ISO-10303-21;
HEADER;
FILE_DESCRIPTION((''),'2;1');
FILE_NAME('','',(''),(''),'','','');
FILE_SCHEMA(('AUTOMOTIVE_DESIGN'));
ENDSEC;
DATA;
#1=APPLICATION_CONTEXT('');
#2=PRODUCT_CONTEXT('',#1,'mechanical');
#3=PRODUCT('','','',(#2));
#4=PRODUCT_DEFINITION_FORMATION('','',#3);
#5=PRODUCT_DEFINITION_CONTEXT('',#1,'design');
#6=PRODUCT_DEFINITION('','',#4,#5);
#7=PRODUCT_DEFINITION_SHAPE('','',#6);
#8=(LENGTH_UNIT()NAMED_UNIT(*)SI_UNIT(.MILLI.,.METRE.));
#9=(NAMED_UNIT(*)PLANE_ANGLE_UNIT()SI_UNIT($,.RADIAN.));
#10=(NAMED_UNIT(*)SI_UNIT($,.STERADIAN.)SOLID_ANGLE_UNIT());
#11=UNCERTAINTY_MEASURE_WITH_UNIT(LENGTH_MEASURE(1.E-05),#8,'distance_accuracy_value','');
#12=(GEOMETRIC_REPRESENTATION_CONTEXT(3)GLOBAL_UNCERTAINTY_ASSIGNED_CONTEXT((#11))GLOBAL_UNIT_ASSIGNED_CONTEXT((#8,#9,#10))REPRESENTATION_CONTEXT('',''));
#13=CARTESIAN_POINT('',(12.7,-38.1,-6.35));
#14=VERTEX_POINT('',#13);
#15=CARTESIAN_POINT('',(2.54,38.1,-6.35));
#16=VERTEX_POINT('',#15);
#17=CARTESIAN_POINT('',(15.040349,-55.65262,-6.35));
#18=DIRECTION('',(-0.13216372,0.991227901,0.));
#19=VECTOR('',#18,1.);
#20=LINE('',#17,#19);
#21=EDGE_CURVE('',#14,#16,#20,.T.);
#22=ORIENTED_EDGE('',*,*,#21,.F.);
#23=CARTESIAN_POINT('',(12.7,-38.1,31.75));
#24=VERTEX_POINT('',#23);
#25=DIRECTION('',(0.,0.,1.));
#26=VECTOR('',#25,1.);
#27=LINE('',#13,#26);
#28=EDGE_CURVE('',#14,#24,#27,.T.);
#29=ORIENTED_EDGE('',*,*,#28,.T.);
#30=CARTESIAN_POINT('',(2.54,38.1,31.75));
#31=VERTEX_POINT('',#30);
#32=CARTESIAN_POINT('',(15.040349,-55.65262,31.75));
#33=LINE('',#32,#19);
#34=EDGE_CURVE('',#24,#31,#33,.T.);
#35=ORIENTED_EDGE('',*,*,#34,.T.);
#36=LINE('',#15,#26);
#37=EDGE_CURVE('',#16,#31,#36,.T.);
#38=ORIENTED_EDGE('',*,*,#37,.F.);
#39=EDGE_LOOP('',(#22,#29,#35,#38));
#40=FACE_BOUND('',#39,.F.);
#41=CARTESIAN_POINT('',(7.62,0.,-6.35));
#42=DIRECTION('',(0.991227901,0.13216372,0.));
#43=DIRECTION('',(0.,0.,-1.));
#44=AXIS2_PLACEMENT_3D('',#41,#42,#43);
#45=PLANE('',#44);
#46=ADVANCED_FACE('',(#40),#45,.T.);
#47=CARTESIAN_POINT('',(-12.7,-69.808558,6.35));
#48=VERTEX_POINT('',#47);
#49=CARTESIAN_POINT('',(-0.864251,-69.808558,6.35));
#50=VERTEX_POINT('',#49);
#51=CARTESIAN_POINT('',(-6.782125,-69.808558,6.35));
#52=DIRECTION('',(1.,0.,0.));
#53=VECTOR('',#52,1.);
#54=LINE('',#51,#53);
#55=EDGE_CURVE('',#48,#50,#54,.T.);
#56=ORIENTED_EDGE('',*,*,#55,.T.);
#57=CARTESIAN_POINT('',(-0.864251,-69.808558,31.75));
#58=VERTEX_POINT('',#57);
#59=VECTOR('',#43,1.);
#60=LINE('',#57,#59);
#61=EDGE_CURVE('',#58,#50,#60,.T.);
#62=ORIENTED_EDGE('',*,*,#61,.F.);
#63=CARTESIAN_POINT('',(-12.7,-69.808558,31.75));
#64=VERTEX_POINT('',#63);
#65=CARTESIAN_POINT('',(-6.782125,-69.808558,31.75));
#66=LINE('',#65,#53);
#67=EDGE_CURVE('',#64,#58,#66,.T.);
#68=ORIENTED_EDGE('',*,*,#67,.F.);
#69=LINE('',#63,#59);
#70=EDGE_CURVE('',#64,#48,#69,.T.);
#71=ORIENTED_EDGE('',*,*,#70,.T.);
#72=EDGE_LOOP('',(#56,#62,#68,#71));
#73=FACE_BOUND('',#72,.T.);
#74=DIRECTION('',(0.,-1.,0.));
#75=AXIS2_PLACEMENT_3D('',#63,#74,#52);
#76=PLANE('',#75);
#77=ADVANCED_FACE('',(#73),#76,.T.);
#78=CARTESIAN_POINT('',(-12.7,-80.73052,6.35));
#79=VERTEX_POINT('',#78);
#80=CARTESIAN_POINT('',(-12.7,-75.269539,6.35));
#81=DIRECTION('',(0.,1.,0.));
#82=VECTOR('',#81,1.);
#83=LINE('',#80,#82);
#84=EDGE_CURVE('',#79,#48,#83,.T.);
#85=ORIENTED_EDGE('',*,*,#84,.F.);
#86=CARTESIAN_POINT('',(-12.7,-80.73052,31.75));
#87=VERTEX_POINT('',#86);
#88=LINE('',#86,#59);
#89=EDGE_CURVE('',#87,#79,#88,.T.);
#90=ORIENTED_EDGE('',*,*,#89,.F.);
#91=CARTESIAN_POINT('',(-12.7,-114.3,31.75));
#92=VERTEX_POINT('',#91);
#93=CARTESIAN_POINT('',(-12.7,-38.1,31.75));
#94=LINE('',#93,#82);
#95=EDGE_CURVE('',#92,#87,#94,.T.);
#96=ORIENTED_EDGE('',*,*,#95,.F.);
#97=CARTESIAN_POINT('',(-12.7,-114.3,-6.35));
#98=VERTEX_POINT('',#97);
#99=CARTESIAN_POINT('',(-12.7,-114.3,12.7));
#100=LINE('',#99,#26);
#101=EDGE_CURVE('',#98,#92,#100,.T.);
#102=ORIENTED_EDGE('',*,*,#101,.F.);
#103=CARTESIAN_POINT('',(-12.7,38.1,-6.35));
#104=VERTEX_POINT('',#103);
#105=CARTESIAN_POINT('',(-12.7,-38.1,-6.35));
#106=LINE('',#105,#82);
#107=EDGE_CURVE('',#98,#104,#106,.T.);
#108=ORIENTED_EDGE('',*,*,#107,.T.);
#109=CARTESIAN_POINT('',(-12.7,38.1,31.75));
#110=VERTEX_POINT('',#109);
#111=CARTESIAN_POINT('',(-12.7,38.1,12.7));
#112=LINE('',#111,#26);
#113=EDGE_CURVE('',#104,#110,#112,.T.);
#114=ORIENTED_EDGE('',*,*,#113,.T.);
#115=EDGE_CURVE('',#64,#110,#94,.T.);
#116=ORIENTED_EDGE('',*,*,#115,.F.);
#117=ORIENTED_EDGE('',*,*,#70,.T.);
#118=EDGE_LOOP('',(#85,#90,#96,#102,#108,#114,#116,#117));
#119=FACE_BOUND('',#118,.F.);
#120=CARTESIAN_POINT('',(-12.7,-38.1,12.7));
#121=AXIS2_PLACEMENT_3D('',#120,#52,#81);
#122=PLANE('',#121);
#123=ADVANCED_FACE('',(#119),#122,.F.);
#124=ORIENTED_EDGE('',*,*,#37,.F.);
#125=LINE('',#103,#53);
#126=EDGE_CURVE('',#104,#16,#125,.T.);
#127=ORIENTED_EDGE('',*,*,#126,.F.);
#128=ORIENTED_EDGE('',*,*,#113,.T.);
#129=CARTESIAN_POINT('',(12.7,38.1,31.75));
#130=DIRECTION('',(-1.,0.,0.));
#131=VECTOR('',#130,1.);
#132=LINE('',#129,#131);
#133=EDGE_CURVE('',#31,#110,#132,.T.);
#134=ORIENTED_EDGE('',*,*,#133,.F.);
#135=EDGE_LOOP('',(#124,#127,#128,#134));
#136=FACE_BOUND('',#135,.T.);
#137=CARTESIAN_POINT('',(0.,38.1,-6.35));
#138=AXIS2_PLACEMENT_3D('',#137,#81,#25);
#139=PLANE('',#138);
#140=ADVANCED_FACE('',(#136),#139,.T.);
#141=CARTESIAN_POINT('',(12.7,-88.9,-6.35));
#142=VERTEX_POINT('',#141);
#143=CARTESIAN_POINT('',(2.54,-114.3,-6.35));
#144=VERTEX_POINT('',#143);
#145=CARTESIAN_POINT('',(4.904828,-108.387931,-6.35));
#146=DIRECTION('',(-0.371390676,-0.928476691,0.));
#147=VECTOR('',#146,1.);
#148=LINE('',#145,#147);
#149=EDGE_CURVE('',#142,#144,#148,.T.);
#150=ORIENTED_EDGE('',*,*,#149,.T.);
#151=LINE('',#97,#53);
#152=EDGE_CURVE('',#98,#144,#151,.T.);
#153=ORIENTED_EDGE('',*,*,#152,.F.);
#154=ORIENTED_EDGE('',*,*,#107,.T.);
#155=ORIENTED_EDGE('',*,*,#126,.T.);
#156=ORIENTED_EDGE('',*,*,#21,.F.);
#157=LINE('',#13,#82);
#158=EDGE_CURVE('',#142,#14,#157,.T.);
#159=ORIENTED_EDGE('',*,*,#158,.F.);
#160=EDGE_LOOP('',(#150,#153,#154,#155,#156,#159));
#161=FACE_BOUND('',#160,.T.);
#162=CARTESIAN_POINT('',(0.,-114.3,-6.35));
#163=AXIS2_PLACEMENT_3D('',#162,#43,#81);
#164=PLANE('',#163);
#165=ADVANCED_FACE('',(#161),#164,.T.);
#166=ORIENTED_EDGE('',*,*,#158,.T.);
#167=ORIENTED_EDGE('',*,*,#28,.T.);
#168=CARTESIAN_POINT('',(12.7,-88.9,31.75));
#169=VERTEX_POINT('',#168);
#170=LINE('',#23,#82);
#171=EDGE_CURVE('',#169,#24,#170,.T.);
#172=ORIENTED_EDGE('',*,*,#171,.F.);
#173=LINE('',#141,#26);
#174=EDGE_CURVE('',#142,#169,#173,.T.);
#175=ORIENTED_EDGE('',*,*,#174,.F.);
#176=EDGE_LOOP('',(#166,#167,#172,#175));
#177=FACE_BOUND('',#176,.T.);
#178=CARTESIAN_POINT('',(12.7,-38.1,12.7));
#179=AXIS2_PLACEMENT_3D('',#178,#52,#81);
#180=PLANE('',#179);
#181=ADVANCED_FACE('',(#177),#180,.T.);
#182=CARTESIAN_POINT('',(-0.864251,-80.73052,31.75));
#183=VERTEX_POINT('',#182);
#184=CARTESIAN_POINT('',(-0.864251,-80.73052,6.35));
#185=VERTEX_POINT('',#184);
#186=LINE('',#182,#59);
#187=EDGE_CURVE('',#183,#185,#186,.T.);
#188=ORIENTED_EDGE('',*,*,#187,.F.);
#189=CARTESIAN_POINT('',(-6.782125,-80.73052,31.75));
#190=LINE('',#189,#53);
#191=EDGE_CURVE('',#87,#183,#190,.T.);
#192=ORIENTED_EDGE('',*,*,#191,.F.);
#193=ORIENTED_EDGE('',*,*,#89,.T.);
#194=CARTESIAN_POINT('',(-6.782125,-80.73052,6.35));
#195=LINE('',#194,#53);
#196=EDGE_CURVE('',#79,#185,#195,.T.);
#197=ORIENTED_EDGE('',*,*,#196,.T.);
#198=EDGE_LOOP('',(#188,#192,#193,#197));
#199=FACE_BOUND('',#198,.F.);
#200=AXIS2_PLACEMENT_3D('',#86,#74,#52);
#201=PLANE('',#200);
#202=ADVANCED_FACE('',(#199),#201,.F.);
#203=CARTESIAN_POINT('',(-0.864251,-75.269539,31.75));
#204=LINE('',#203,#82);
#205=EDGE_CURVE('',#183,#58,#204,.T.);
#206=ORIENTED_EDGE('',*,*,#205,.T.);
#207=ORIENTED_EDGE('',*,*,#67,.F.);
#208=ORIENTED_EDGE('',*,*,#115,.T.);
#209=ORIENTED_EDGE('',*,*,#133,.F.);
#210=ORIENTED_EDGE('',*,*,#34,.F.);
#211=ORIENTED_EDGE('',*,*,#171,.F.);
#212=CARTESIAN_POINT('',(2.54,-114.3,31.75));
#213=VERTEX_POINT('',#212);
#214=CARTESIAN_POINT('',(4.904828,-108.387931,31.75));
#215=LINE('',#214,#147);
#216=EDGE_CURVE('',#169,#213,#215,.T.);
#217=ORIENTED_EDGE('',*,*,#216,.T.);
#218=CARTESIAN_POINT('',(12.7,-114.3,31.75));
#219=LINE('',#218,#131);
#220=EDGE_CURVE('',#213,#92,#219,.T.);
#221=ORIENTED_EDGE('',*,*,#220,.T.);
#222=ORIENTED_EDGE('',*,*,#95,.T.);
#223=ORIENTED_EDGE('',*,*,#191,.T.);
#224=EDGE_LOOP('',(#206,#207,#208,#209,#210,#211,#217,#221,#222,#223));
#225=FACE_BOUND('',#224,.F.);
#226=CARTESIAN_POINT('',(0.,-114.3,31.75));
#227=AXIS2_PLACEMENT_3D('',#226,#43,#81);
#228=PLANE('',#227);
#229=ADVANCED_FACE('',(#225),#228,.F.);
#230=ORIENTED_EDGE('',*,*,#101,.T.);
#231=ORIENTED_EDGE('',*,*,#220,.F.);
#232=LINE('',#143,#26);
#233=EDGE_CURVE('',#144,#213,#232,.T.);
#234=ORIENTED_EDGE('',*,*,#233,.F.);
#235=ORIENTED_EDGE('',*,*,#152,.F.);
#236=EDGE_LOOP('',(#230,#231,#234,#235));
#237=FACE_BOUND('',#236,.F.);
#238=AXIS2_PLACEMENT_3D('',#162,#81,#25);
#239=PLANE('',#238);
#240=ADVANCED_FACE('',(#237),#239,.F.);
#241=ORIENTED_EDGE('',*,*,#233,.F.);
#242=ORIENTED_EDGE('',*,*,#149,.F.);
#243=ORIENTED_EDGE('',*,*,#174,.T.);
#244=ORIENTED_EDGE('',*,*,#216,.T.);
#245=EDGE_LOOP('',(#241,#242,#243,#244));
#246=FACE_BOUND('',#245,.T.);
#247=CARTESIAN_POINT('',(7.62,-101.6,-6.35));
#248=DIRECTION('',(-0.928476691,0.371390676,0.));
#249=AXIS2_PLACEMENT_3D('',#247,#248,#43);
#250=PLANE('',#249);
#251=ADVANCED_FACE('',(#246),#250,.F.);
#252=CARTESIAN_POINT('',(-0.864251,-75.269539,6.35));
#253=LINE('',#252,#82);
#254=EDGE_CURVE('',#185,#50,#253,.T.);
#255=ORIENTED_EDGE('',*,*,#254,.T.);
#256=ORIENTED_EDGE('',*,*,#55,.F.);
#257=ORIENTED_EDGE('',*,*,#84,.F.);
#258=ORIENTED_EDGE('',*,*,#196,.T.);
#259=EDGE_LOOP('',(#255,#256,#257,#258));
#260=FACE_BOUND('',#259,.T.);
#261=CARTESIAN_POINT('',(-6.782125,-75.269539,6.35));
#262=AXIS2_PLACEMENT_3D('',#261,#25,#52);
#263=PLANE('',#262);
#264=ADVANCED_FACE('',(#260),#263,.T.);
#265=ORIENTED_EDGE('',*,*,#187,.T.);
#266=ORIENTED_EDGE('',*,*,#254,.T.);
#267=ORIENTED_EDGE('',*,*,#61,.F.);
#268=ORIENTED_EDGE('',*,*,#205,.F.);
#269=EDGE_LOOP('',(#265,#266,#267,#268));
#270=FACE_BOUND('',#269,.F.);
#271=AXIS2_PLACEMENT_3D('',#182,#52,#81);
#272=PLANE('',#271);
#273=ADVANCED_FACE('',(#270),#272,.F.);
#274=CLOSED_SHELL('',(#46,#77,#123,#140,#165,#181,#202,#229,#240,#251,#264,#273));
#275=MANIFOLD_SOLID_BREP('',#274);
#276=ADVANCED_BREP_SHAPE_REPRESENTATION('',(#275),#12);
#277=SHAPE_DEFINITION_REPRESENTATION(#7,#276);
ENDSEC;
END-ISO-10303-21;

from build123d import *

# Parameters (mm, degrees)
F0_W     = 152.4
F0_H     = 38.1
F1_DEPTH = 12.7
F2_SIZE2 = 10.16
F2_SIZE  = 25.4
F3_SIZE2 = 10.16
F3_SIZE  = 76.2
F4_W     = 11.8357492981
F4_H     = 10.9219625592
F5_DEPTH = 25.4


with BuildPart() as f1:
    # F0 (on Right) → F1 (new body, symmetric)
    with BuildSketch(Plane.YZ):
        with Locations((-38.1, 12.7)):
            Rectangle(F0_W, F0_H)
    extrude(amount=F1_DEPTH, both=True)

    # F2
    f2_edges = [f1.edges().sort_by_distance(p)[0] for p in [
        (12.7, -114.3, 12.7),
    ]]
    f2_side = f1.faces().sort_by_distance((12.7, -38.1, 12.7))[0]
    chamfer(f2_edges, length=F2_SIZE, length2=F2_SIZE2, reference=f2_side)

    # F3
    f3_edges = [f1.edges().sort_by_distance(p)[0] for p in [
        (12.7, 38.1, 12.7),
    ]]
    f3_side = f1.faces().sort_by_distance((12.7, -25.4, 12.7))[0]
    chamfer(f3_edges, length=F3_SIZE, length2=F3_SIZE2, reference=f3_side)

    # F4 (on face) → F5 (cut)
    with BuildSketch(Plane.XY.offset(31.75)):
        with Locations((-6.7821253509, -75.2695389092)):
            Rectangle(F4_W, F4_H)
    extrude(amount=-F5_DEPTH, mode=Mode.SUBTRACT)


solid = f1.part
